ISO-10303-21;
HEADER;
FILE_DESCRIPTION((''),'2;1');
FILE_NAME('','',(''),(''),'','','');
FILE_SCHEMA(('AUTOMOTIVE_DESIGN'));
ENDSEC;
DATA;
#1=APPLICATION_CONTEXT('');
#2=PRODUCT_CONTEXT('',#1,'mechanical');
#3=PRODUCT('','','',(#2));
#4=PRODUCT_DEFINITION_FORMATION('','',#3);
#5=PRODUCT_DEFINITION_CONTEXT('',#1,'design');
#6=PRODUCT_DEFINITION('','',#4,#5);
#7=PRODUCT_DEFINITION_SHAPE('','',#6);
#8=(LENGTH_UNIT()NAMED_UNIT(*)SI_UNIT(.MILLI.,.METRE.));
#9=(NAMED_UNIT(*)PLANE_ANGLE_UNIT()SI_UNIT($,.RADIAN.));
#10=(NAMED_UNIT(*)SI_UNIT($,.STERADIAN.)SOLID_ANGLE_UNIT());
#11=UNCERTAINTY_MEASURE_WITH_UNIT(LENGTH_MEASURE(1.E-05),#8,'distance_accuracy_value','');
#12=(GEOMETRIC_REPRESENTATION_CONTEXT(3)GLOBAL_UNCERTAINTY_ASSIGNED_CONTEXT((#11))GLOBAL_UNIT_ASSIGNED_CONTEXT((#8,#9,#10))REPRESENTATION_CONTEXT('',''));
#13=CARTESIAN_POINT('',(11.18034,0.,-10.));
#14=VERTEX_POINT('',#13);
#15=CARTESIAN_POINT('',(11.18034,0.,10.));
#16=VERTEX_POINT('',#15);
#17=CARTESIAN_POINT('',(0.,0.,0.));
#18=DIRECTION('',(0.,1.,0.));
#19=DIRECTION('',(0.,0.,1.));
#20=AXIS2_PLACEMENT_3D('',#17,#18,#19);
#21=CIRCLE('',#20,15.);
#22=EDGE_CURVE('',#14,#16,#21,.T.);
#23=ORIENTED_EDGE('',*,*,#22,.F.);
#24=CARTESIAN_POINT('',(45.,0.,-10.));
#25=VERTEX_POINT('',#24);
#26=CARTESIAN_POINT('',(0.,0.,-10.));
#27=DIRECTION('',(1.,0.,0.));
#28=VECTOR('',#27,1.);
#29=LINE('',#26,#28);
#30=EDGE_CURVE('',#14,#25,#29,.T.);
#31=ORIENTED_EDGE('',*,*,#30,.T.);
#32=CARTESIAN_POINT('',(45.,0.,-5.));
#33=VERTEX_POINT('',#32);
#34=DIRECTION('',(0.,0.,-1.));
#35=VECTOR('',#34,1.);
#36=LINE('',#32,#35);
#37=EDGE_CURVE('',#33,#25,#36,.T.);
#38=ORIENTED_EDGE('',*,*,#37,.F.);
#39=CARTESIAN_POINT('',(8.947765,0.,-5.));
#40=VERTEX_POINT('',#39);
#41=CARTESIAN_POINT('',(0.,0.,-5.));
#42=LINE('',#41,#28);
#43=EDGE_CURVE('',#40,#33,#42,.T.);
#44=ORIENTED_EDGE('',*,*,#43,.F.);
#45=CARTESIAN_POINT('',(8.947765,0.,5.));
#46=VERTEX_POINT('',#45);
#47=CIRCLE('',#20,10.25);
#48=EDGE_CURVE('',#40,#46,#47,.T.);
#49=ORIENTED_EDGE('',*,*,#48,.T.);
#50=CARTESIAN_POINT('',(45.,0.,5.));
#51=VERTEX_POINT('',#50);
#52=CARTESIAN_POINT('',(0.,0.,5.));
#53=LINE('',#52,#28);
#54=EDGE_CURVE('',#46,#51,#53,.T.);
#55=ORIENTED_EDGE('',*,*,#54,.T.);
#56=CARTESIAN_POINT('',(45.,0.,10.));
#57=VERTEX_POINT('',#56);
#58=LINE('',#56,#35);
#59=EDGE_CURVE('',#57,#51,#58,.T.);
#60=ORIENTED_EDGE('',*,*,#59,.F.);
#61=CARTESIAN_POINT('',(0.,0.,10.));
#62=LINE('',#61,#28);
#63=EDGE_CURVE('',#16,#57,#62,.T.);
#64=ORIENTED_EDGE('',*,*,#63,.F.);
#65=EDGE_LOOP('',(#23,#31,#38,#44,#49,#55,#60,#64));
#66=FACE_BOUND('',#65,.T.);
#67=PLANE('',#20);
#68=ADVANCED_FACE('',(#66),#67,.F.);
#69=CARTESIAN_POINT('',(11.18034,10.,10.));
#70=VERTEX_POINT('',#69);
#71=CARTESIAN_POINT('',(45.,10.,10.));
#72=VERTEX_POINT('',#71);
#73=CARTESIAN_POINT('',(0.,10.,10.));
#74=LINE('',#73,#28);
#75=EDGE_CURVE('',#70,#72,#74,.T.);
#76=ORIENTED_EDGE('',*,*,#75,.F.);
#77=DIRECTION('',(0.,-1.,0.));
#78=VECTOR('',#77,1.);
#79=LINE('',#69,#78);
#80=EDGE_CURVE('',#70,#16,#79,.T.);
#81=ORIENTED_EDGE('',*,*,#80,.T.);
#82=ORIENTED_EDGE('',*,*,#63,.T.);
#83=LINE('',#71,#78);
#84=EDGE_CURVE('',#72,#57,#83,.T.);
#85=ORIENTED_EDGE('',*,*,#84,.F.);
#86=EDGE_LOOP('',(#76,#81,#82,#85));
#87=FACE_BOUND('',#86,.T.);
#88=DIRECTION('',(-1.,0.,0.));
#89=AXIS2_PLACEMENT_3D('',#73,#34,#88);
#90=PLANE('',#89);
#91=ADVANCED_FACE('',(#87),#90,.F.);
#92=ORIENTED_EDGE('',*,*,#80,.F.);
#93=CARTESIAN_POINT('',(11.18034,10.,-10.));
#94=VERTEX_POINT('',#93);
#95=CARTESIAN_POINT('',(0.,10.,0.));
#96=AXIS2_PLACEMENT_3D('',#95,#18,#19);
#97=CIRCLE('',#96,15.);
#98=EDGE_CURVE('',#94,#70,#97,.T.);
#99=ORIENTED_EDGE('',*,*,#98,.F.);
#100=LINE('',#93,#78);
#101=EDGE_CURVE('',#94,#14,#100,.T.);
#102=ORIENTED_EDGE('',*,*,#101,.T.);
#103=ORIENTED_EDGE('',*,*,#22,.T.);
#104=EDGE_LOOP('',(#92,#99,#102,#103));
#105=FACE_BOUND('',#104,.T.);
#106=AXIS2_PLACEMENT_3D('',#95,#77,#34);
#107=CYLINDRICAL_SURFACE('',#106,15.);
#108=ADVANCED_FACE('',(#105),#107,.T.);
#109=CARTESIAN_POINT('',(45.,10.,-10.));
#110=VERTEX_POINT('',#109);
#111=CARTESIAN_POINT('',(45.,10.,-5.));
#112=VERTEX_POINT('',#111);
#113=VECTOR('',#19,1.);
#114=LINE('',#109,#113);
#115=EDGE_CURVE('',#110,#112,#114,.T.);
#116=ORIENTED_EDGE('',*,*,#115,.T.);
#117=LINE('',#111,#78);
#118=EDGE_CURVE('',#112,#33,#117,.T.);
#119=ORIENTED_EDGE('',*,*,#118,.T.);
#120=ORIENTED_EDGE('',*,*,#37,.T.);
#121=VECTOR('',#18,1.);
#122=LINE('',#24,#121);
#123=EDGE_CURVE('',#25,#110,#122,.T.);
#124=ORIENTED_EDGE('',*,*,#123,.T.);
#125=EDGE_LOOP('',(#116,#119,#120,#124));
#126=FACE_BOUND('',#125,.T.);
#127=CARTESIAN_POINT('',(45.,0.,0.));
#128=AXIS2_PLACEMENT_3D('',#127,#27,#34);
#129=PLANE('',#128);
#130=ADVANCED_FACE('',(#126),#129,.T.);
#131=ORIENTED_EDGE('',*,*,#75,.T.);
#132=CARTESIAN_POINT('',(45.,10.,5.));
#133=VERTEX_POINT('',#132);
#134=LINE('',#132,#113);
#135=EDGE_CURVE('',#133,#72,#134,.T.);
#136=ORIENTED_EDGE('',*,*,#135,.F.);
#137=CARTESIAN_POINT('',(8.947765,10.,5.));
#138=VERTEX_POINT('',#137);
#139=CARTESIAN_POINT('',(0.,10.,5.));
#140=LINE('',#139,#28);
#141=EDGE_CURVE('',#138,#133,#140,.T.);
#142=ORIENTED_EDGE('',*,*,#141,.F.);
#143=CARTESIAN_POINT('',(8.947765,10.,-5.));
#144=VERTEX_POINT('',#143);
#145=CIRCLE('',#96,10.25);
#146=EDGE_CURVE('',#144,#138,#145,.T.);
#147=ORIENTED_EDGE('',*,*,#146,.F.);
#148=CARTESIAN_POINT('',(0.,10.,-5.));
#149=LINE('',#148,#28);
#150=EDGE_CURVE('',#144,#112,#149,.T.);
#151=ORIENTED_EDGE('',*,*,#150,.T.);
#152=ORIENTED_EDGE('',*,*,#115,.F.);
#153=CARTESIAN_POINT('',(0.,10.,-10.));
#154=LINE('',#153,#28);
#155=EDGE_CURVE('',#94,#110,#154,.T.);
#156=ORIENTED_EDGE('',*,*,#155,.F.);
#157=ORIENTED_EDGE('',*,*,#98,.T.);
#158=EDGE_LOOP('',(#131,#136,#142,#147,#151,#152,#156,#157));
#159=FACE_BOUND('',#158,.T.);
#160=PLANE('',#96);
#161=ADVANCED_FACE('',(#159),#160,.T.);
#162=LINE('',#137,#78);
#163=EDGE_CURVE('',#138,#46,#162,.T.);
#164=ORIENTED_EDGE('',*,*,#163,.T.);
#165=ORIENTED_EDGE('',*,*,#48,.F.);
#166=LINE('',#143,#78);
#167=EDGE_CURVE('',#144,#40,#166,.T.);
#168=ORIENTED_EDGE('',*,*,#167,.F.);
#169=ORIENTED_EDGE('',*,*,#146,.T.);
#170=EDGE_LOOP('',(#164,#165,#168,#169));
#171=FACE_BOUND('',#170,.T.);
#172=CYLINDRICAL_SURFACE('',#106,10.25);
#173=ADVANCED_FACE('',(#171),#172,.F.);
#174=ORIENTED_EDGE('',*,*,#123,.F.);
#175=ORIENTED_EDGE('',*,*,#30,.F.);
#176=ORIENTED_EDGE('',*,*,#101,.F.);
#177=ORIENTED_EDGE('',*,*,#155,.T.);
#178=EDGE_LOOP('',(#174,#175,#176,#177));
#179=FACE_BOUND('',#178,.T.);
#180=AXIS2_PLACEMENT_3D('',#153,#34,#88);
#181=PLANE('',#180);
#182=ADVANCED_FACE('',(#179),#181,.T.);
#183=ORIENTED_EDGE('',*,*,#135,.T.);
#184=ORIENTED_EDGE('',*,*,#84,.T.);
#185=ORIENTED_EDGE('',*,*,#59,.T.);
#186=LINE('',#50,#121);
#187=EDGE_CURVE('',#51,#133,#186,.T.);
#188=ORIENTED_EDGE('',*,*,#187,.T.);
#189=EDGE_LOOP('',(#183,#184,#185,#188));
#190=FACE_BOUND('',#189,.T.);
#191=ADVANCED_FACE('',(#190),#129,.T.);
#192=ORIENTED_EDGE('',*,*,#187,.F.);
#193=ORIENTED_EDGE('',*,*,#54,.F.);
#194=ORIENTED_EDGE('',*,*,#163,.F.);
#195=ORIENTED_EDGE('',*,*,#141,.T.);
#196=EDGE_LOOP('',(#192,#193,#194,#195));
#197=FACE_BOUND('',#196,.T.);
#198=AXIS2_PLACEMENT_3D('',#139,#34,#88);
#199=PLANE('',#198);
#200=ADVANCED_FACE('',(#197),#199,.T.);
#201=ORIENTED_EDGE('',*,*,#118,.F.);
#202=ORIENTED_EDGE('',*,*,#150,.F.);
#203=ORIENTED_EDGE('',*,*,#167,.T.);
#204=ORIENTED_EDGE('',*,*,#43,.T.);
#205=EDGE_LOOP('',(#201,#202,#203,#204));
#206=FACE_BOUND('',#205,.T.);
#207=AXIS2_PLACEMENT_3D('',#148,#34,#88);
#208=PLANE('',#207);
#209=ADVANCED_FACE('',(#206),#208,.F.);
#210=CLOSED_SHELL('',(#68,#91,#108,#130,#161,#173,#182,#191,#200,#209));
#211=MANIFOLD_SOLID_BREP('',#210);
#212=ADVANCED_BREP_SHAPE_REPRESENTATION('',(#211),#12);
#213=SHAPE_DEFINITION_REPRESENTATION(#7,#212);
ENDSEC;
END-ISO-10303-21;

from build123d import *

# Parameters (mm, degrees)
EXTRUDE_1_DEPTH     = 10
SKETCH_2_W          = 5
SKETCH_2_H          = 10
CUT_EXTRUDE_1_DEPTH = 10


with BuildPart() as part:
    # 草图1 → 凸台-拉伸1 (new body)
    with BuildSketch(Plane(origin=(0, 0, 0), x_dir=(1, 0, 0), z_dir=(0, 1, 0))):
        with BuildLine():
            ThreePointArc((11.180339887, 10), (12.90569415, 7.644805982), (14.142135624, 5))
            Line((14.142135624, 5), (50, 5))
            Line((50, 5), (55, 5))
            Line((55, 5), (55, 10))
            Line((55, 10), (11.180339887, 10))
        make_face()
        with BuildLine():
            Line((8.947765084, 5), (14.142135624, 5))
            ThreePointArc((14.142135624, 5), (12.90569415, 7.644805982), (11.180339887, 10))
            ThreePointArc((11.180339887, 10), (-15, 0), (11.180339887, -10))
            ThreePointArc((11.180339887, -10), (12.90569415, -7.644805982), (14.142135624, -5))
            Line((14.142135624, -5), (8.947765084, -5))
            ThreePointArc((8.947765084, -5), (-10.25, 0), (8.947765084, 5))
        make_face()
        with BuildLine():
            Line((50, -5), (14.142135624, -5))
            ThreePointArc((14.142135624, -5), (12.90569415, -7.644805982), (11.180339887, -10))
            Line((11.180339887, -10), (55, -10))
            Line((55, -10), (55, -5))
            Line((55, -5), (50, -5))
        make_face()
    extrude(amount=EXTRUDE_1_DEPTH)

    # 草图2 → 切除-拉伸1 (cut)
    with BuildSketch(Plane(origin=(55, 0, 0), x_dir=(0, 0, -1), z_dir=(1, 0, 0))):
        with Locations((7.5, 5)):
            Rectangle(SKETCH_2_W, SKETCH_2_H)
        with Locations((-7.5, 5)):
            Rectangle(SKETCH_2_W, SKETCH_2_H)
    extrude(amount=-CUT_EXTRUDE_1_DEPTH, mode=Mode.SUBTRACT)


solid = part.part
